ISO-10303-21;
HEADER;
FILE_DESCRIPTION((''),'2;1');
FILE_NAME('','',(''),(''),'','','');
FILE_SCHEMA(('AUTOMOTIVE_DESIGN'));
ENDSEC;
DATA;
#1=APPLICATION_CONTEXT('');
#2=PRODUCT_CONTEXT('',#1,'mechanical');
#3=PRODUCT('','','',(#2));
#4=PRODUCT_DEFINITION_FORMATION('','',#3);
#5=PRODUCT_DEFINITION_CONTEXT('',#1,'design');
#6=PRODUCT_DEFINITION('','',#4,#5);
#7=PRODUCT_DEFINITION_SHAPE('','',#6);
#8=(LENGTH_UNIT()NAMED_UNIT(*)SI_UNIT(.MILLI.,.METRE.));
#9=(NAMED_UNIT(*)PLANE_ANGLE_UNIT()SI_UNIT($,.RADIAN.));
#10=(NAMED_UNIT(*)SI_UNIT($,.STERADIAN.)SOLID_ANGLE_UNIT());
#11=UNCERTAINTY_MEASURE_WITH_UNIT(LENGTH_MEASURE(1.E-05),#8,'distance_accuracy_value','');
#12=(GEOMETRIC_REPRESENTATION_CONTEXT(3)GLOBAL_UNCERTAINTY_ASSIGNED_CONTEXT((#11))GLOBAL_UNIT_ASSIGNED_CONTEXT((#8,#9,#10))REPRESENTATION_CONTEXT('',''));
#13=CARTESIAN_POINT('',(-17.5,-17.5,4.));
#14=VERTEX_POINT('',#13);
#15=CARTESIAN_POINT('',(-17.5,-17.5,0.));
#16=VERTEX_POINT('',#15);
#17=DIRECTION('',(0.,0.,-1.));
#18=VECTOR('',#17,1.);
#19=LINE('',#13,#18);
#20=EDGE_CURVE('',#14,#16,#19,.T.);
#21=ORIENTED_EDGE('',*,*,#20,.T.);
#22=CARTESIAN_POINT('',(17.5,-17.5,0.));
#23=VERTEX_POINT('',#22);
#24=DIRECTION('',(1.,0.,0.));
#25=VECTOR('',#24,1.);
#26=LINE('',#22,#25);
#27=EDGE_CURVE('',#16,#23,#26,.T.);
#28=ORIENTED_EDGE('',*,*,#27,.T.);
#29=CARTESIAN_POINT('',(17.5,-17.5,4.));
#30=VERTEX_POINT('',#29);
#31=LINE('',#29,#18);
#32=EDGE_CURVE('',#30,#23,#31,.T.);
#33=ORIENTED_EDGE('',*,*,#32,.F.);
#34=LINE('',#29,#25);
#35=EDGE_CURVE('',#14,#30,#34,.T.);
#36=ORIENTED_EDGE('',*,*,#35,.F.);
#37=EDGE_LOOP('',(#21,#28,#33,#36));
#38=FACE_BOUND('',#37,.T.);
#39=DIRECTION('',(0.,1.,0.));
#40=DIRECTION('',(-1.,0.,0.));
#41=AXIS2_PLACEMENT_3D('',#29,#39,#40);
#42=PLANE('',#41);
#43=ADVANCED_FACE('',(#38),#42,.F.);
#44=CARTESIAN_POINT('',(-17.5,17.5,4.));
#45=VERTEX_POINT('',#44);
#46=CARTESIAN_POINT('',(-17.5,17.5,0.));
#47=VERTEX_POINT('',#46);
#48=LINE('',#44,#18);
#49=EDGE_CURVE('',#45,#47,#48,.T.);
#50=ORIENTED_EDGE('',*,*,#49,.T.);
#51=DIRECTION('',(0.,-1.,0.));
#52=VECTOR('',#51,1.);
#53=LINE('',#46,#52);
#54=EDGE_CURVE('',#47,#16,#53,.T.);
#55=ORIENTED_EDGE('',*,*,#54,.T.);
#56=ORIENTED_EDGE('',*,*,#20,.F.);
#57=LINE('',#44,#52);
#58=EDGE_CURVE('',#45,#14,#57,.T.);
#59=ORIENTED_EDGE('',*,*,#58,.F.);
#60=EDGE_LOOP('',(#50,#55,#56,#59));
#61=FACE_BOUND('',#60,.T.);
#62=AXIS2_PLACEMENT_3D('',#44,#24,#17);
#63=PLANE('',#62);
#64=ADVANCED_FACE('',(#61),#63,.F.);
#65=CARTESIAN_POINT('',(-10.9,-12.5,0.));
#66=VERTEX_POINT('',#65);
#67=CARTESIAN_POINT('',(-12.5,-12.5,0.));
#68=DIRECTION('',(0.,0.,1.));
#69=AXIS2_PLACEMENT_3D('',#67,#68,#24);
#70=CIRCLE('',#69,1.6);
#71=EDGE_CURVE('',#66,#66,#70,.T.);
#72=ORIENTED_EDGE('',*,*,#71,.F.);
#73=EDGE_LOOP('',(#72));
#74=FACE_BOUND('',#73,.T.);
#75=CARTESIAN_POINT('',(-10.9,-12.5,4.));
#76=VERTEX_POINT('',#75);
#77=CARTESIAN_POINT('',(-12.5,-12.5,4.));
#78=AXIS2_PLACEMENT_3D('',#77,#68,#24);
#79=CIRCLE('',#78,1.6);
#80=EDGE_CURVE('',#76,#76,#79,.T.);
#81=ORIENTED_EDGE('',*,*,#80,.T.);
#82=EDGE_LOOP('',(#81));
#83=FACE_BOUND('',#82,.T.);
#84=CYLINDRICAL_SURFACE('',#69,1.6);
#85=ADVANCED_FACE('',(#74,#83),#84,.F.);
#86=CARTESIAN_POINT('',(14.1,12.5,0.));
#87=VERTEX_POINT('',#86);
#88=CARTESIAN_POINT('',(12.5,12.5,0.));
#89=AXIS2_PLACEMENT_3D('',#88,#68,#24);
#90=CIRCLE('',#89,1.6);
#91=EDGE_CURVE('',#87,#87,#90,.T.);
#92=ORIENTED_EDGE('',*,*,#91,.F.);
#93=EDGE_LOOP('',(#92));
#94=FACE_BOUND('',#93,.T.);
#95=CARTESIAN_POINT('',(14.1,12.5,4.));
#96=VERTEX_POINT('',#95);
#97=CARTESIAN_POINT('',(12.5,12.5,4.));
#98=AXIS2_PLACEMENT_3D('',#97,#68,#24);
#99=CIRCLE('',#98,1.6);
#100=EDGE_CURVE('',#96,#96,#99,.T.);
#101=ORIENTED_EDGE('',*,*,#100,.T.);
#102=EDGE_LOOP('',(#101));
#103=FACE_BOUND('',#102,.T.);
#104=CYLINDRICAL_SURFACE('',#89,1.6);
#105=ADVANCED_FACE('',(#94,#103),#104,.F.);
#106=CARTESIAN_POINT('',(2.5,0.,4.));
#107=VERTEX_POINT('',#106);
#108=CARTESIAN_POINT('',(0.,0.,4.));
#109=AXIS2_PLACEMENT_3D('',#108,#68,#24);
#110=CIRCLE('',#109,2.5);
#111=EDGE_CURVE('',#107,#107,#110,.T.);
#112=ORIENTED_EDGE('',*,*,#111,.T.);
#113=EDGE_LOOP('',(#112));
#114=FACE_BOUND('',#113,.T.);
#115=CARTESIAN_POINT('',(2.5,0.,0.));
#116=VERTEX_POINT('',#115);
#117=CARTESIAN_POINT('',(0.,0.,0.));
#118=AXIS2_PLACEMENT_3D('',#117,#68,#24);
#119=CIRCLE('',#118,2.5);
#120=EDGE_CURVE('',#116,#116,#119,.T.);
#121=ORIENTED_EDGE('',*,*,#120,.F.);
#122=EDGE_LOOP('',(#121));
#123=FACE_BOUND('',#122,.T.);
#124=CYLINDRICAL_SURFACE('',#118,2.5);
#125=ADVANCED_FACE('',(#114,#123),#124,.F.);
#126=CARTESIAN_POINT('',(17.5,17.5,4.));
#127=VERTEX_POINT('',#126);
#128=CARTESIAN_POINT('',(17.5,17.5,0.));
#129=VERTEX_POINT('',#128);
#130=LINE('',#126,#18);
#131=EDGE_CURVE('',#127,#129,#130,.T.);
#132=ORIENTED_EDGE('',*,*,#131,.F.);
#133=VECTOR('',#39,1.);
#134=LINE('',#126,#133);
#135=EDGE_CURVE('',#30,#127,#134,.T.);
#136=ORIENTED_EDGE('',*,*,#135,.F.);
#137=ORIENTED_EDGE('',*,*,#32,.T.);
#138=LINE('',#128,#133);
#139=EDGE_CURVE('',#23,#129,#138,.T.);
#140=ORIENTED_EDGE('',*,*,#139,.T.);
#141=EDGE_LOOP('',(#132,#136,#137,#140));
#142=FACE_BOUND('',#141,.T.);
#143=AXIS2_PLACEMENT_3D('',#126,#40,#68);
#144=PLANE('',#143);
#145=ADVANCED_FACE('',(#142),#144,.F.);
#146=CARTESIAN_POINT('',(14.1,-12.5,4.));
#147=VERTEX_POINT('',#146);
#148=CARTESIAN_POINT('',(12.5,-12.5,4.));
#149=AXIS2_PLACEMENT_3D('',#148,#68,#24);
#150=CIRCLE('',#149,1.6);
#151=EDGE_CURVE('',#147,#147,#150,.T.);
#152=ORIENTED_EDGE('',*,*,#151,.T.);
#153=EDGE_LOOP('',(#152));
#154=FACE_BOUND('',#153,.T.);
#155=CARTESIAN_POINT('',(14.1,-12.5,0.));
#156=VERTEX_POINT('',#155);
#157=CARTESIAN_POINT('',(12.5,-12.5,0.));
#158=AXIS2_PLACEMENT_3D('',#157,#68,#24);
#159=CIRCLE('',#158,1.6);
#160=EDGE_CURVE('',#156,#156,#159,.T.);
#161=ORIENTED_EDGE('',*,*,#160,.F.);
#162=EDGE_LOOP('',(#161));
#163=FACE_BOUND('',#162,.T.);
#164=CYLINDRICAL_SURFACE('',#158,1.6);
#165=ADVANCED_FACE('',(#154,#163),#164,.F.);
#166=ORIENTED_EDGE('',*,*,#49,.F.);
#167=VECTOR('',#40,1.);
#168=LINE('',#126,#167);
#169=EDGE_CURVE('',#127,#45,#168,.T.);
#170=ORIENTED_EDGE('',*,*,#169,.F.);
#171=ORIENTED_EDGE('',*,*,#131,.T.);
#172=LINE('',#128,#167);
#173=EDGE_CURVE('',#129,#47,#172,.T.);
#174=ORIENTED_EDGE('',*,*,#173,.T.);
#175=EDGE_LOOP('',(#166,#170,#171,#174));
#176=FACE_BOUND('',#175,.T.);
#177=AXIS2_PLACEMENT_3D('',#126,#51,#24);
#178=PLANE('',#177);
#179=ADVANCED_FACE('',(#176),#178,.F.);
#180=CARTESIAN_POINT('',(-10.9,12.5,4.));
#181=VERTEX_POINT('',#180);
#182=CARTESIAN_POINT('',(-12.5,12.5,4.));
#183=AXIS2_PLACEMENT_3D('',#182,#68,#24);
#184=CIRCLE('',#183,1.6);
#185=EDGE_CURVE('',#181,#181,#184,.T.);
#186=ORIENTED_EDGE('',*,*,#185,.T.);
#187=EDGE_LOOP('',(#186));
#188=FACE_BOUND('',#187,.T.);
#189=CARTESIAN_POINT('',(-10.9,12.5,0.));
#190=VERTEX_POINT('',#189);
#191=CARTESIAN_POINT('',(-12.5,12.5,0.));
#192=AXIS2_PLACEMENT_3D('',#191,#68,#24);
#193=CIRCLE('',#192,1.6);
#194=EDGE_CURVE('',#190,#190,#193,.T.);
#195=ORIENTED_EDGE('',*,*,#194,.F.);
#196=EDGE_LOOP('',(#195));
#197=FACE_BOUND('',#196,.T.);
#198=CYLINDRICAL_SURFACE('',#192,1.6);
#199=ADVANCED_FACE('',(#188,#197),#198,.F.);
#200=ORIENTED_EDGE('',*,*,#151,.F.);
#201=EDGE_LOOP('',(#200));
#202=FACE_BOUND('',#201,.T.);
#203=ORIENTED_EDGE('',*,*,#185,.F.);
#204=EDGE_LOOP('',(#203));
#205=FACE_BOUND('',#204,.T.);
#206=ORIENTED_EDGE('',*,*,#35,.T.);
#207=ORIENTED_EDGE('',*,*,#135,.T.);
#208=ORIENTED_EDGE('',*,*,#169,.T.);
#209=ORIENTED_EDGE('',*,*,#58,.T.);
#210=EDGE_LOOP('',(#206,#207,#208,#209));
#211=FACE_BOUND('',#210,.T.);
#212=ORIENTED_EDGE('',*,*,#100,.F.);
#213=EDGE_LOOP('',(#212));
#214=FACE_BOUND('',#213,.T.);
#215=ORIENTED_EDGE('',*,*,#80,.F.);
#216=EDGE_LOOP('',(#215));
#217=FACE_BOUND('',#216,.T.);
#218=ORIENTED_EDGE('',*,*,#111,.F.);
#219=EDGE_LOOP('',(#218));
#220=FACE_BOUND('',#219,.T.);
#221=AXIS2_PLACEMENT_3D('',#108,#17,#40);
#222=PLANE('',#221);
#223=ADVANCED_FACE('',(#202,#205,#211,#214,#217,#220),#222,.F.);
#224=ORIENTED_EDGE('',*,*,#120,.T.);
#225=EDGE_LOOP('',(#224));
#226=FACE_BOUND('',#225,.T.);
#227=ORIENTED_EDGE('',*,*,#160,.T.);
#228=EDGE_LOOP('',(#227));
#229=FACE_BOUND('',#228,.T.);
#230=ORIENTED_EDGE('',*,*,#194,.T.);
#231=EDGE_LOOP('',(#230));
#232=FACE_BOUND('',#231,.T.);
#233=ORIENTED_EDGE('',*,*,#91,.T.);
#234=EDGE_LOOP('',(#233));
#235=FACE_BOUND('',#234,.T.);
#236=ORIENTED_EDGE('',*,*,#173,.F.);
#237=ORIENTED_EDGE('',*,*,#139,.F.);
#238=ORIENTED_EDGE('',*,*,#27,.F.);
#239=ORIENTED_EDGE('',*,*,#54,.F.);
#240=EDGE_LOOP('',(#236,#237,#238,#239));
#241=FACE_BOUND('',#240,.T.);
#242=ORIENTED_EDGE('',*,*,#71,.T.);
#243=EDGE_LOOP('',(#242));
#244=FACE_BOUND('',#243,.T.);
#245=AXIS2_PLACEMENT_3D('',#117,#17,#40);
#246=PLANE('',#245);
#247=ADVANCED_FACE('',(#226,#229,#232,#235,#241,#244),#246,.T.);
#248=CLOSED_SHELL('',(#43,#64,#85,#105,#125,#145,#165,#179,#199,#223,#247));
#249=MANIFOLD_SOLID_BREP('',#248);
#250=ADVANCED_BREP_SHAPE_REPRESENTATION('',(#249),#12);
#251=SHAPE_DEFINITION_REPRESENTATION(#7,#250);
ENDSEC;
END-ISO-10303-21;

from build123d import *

# Parameters (mm, degrees)
SKETCH1_W           = 35
SKETCH1_H           = 35
BOSS_EXTRUDE1_DEPTH = 4
SKETCH3_R           = 1.6
DOWEL_CUT_DEPTH     = 26.069902273
SKETCH2_R           = 2.5
SCREW_CUT_DEPTH     = 26.069902273


with BuildPart() as part:
    # Sketch1 → Boss-Extrude1 (new body)
    with BuildSketch(Plane.XY):
        Rectangle(SKETCH1_W, SKETCH1_H)
    extrude(amount=BOSS_EXTRUDE1_DEPTH)

    # Sketch3 → Dowel cut (cut, through all)
    with BuildSketch(Plane.XY.offset(4)):
        with Locations((-12.5, 12.5)):
            Circle(SKETCH3_R)
        with Locations((12.5, 12.5)):
            Circle(SKETCH3_R)
        with Locations((12.5, -12.5)):
            Circle(SKETCH3_R)
        with Locations((-12.5, -12.5)):
            Circle(SKETCH3_R)
    extrude(amount=-DOWEL_CUT_DEPTH, mode=Mode.SUBTRACT)

    # Sketch2 → Screw cut (cut, through all)
    with BuildSketch(Plane.XY.offset(4)):
        Circle(SKETCH2_R)
    extrude(amount=-SCREW_CUT_DEPTH, mode=Mode.SUBTRACT)


solid = part.part
